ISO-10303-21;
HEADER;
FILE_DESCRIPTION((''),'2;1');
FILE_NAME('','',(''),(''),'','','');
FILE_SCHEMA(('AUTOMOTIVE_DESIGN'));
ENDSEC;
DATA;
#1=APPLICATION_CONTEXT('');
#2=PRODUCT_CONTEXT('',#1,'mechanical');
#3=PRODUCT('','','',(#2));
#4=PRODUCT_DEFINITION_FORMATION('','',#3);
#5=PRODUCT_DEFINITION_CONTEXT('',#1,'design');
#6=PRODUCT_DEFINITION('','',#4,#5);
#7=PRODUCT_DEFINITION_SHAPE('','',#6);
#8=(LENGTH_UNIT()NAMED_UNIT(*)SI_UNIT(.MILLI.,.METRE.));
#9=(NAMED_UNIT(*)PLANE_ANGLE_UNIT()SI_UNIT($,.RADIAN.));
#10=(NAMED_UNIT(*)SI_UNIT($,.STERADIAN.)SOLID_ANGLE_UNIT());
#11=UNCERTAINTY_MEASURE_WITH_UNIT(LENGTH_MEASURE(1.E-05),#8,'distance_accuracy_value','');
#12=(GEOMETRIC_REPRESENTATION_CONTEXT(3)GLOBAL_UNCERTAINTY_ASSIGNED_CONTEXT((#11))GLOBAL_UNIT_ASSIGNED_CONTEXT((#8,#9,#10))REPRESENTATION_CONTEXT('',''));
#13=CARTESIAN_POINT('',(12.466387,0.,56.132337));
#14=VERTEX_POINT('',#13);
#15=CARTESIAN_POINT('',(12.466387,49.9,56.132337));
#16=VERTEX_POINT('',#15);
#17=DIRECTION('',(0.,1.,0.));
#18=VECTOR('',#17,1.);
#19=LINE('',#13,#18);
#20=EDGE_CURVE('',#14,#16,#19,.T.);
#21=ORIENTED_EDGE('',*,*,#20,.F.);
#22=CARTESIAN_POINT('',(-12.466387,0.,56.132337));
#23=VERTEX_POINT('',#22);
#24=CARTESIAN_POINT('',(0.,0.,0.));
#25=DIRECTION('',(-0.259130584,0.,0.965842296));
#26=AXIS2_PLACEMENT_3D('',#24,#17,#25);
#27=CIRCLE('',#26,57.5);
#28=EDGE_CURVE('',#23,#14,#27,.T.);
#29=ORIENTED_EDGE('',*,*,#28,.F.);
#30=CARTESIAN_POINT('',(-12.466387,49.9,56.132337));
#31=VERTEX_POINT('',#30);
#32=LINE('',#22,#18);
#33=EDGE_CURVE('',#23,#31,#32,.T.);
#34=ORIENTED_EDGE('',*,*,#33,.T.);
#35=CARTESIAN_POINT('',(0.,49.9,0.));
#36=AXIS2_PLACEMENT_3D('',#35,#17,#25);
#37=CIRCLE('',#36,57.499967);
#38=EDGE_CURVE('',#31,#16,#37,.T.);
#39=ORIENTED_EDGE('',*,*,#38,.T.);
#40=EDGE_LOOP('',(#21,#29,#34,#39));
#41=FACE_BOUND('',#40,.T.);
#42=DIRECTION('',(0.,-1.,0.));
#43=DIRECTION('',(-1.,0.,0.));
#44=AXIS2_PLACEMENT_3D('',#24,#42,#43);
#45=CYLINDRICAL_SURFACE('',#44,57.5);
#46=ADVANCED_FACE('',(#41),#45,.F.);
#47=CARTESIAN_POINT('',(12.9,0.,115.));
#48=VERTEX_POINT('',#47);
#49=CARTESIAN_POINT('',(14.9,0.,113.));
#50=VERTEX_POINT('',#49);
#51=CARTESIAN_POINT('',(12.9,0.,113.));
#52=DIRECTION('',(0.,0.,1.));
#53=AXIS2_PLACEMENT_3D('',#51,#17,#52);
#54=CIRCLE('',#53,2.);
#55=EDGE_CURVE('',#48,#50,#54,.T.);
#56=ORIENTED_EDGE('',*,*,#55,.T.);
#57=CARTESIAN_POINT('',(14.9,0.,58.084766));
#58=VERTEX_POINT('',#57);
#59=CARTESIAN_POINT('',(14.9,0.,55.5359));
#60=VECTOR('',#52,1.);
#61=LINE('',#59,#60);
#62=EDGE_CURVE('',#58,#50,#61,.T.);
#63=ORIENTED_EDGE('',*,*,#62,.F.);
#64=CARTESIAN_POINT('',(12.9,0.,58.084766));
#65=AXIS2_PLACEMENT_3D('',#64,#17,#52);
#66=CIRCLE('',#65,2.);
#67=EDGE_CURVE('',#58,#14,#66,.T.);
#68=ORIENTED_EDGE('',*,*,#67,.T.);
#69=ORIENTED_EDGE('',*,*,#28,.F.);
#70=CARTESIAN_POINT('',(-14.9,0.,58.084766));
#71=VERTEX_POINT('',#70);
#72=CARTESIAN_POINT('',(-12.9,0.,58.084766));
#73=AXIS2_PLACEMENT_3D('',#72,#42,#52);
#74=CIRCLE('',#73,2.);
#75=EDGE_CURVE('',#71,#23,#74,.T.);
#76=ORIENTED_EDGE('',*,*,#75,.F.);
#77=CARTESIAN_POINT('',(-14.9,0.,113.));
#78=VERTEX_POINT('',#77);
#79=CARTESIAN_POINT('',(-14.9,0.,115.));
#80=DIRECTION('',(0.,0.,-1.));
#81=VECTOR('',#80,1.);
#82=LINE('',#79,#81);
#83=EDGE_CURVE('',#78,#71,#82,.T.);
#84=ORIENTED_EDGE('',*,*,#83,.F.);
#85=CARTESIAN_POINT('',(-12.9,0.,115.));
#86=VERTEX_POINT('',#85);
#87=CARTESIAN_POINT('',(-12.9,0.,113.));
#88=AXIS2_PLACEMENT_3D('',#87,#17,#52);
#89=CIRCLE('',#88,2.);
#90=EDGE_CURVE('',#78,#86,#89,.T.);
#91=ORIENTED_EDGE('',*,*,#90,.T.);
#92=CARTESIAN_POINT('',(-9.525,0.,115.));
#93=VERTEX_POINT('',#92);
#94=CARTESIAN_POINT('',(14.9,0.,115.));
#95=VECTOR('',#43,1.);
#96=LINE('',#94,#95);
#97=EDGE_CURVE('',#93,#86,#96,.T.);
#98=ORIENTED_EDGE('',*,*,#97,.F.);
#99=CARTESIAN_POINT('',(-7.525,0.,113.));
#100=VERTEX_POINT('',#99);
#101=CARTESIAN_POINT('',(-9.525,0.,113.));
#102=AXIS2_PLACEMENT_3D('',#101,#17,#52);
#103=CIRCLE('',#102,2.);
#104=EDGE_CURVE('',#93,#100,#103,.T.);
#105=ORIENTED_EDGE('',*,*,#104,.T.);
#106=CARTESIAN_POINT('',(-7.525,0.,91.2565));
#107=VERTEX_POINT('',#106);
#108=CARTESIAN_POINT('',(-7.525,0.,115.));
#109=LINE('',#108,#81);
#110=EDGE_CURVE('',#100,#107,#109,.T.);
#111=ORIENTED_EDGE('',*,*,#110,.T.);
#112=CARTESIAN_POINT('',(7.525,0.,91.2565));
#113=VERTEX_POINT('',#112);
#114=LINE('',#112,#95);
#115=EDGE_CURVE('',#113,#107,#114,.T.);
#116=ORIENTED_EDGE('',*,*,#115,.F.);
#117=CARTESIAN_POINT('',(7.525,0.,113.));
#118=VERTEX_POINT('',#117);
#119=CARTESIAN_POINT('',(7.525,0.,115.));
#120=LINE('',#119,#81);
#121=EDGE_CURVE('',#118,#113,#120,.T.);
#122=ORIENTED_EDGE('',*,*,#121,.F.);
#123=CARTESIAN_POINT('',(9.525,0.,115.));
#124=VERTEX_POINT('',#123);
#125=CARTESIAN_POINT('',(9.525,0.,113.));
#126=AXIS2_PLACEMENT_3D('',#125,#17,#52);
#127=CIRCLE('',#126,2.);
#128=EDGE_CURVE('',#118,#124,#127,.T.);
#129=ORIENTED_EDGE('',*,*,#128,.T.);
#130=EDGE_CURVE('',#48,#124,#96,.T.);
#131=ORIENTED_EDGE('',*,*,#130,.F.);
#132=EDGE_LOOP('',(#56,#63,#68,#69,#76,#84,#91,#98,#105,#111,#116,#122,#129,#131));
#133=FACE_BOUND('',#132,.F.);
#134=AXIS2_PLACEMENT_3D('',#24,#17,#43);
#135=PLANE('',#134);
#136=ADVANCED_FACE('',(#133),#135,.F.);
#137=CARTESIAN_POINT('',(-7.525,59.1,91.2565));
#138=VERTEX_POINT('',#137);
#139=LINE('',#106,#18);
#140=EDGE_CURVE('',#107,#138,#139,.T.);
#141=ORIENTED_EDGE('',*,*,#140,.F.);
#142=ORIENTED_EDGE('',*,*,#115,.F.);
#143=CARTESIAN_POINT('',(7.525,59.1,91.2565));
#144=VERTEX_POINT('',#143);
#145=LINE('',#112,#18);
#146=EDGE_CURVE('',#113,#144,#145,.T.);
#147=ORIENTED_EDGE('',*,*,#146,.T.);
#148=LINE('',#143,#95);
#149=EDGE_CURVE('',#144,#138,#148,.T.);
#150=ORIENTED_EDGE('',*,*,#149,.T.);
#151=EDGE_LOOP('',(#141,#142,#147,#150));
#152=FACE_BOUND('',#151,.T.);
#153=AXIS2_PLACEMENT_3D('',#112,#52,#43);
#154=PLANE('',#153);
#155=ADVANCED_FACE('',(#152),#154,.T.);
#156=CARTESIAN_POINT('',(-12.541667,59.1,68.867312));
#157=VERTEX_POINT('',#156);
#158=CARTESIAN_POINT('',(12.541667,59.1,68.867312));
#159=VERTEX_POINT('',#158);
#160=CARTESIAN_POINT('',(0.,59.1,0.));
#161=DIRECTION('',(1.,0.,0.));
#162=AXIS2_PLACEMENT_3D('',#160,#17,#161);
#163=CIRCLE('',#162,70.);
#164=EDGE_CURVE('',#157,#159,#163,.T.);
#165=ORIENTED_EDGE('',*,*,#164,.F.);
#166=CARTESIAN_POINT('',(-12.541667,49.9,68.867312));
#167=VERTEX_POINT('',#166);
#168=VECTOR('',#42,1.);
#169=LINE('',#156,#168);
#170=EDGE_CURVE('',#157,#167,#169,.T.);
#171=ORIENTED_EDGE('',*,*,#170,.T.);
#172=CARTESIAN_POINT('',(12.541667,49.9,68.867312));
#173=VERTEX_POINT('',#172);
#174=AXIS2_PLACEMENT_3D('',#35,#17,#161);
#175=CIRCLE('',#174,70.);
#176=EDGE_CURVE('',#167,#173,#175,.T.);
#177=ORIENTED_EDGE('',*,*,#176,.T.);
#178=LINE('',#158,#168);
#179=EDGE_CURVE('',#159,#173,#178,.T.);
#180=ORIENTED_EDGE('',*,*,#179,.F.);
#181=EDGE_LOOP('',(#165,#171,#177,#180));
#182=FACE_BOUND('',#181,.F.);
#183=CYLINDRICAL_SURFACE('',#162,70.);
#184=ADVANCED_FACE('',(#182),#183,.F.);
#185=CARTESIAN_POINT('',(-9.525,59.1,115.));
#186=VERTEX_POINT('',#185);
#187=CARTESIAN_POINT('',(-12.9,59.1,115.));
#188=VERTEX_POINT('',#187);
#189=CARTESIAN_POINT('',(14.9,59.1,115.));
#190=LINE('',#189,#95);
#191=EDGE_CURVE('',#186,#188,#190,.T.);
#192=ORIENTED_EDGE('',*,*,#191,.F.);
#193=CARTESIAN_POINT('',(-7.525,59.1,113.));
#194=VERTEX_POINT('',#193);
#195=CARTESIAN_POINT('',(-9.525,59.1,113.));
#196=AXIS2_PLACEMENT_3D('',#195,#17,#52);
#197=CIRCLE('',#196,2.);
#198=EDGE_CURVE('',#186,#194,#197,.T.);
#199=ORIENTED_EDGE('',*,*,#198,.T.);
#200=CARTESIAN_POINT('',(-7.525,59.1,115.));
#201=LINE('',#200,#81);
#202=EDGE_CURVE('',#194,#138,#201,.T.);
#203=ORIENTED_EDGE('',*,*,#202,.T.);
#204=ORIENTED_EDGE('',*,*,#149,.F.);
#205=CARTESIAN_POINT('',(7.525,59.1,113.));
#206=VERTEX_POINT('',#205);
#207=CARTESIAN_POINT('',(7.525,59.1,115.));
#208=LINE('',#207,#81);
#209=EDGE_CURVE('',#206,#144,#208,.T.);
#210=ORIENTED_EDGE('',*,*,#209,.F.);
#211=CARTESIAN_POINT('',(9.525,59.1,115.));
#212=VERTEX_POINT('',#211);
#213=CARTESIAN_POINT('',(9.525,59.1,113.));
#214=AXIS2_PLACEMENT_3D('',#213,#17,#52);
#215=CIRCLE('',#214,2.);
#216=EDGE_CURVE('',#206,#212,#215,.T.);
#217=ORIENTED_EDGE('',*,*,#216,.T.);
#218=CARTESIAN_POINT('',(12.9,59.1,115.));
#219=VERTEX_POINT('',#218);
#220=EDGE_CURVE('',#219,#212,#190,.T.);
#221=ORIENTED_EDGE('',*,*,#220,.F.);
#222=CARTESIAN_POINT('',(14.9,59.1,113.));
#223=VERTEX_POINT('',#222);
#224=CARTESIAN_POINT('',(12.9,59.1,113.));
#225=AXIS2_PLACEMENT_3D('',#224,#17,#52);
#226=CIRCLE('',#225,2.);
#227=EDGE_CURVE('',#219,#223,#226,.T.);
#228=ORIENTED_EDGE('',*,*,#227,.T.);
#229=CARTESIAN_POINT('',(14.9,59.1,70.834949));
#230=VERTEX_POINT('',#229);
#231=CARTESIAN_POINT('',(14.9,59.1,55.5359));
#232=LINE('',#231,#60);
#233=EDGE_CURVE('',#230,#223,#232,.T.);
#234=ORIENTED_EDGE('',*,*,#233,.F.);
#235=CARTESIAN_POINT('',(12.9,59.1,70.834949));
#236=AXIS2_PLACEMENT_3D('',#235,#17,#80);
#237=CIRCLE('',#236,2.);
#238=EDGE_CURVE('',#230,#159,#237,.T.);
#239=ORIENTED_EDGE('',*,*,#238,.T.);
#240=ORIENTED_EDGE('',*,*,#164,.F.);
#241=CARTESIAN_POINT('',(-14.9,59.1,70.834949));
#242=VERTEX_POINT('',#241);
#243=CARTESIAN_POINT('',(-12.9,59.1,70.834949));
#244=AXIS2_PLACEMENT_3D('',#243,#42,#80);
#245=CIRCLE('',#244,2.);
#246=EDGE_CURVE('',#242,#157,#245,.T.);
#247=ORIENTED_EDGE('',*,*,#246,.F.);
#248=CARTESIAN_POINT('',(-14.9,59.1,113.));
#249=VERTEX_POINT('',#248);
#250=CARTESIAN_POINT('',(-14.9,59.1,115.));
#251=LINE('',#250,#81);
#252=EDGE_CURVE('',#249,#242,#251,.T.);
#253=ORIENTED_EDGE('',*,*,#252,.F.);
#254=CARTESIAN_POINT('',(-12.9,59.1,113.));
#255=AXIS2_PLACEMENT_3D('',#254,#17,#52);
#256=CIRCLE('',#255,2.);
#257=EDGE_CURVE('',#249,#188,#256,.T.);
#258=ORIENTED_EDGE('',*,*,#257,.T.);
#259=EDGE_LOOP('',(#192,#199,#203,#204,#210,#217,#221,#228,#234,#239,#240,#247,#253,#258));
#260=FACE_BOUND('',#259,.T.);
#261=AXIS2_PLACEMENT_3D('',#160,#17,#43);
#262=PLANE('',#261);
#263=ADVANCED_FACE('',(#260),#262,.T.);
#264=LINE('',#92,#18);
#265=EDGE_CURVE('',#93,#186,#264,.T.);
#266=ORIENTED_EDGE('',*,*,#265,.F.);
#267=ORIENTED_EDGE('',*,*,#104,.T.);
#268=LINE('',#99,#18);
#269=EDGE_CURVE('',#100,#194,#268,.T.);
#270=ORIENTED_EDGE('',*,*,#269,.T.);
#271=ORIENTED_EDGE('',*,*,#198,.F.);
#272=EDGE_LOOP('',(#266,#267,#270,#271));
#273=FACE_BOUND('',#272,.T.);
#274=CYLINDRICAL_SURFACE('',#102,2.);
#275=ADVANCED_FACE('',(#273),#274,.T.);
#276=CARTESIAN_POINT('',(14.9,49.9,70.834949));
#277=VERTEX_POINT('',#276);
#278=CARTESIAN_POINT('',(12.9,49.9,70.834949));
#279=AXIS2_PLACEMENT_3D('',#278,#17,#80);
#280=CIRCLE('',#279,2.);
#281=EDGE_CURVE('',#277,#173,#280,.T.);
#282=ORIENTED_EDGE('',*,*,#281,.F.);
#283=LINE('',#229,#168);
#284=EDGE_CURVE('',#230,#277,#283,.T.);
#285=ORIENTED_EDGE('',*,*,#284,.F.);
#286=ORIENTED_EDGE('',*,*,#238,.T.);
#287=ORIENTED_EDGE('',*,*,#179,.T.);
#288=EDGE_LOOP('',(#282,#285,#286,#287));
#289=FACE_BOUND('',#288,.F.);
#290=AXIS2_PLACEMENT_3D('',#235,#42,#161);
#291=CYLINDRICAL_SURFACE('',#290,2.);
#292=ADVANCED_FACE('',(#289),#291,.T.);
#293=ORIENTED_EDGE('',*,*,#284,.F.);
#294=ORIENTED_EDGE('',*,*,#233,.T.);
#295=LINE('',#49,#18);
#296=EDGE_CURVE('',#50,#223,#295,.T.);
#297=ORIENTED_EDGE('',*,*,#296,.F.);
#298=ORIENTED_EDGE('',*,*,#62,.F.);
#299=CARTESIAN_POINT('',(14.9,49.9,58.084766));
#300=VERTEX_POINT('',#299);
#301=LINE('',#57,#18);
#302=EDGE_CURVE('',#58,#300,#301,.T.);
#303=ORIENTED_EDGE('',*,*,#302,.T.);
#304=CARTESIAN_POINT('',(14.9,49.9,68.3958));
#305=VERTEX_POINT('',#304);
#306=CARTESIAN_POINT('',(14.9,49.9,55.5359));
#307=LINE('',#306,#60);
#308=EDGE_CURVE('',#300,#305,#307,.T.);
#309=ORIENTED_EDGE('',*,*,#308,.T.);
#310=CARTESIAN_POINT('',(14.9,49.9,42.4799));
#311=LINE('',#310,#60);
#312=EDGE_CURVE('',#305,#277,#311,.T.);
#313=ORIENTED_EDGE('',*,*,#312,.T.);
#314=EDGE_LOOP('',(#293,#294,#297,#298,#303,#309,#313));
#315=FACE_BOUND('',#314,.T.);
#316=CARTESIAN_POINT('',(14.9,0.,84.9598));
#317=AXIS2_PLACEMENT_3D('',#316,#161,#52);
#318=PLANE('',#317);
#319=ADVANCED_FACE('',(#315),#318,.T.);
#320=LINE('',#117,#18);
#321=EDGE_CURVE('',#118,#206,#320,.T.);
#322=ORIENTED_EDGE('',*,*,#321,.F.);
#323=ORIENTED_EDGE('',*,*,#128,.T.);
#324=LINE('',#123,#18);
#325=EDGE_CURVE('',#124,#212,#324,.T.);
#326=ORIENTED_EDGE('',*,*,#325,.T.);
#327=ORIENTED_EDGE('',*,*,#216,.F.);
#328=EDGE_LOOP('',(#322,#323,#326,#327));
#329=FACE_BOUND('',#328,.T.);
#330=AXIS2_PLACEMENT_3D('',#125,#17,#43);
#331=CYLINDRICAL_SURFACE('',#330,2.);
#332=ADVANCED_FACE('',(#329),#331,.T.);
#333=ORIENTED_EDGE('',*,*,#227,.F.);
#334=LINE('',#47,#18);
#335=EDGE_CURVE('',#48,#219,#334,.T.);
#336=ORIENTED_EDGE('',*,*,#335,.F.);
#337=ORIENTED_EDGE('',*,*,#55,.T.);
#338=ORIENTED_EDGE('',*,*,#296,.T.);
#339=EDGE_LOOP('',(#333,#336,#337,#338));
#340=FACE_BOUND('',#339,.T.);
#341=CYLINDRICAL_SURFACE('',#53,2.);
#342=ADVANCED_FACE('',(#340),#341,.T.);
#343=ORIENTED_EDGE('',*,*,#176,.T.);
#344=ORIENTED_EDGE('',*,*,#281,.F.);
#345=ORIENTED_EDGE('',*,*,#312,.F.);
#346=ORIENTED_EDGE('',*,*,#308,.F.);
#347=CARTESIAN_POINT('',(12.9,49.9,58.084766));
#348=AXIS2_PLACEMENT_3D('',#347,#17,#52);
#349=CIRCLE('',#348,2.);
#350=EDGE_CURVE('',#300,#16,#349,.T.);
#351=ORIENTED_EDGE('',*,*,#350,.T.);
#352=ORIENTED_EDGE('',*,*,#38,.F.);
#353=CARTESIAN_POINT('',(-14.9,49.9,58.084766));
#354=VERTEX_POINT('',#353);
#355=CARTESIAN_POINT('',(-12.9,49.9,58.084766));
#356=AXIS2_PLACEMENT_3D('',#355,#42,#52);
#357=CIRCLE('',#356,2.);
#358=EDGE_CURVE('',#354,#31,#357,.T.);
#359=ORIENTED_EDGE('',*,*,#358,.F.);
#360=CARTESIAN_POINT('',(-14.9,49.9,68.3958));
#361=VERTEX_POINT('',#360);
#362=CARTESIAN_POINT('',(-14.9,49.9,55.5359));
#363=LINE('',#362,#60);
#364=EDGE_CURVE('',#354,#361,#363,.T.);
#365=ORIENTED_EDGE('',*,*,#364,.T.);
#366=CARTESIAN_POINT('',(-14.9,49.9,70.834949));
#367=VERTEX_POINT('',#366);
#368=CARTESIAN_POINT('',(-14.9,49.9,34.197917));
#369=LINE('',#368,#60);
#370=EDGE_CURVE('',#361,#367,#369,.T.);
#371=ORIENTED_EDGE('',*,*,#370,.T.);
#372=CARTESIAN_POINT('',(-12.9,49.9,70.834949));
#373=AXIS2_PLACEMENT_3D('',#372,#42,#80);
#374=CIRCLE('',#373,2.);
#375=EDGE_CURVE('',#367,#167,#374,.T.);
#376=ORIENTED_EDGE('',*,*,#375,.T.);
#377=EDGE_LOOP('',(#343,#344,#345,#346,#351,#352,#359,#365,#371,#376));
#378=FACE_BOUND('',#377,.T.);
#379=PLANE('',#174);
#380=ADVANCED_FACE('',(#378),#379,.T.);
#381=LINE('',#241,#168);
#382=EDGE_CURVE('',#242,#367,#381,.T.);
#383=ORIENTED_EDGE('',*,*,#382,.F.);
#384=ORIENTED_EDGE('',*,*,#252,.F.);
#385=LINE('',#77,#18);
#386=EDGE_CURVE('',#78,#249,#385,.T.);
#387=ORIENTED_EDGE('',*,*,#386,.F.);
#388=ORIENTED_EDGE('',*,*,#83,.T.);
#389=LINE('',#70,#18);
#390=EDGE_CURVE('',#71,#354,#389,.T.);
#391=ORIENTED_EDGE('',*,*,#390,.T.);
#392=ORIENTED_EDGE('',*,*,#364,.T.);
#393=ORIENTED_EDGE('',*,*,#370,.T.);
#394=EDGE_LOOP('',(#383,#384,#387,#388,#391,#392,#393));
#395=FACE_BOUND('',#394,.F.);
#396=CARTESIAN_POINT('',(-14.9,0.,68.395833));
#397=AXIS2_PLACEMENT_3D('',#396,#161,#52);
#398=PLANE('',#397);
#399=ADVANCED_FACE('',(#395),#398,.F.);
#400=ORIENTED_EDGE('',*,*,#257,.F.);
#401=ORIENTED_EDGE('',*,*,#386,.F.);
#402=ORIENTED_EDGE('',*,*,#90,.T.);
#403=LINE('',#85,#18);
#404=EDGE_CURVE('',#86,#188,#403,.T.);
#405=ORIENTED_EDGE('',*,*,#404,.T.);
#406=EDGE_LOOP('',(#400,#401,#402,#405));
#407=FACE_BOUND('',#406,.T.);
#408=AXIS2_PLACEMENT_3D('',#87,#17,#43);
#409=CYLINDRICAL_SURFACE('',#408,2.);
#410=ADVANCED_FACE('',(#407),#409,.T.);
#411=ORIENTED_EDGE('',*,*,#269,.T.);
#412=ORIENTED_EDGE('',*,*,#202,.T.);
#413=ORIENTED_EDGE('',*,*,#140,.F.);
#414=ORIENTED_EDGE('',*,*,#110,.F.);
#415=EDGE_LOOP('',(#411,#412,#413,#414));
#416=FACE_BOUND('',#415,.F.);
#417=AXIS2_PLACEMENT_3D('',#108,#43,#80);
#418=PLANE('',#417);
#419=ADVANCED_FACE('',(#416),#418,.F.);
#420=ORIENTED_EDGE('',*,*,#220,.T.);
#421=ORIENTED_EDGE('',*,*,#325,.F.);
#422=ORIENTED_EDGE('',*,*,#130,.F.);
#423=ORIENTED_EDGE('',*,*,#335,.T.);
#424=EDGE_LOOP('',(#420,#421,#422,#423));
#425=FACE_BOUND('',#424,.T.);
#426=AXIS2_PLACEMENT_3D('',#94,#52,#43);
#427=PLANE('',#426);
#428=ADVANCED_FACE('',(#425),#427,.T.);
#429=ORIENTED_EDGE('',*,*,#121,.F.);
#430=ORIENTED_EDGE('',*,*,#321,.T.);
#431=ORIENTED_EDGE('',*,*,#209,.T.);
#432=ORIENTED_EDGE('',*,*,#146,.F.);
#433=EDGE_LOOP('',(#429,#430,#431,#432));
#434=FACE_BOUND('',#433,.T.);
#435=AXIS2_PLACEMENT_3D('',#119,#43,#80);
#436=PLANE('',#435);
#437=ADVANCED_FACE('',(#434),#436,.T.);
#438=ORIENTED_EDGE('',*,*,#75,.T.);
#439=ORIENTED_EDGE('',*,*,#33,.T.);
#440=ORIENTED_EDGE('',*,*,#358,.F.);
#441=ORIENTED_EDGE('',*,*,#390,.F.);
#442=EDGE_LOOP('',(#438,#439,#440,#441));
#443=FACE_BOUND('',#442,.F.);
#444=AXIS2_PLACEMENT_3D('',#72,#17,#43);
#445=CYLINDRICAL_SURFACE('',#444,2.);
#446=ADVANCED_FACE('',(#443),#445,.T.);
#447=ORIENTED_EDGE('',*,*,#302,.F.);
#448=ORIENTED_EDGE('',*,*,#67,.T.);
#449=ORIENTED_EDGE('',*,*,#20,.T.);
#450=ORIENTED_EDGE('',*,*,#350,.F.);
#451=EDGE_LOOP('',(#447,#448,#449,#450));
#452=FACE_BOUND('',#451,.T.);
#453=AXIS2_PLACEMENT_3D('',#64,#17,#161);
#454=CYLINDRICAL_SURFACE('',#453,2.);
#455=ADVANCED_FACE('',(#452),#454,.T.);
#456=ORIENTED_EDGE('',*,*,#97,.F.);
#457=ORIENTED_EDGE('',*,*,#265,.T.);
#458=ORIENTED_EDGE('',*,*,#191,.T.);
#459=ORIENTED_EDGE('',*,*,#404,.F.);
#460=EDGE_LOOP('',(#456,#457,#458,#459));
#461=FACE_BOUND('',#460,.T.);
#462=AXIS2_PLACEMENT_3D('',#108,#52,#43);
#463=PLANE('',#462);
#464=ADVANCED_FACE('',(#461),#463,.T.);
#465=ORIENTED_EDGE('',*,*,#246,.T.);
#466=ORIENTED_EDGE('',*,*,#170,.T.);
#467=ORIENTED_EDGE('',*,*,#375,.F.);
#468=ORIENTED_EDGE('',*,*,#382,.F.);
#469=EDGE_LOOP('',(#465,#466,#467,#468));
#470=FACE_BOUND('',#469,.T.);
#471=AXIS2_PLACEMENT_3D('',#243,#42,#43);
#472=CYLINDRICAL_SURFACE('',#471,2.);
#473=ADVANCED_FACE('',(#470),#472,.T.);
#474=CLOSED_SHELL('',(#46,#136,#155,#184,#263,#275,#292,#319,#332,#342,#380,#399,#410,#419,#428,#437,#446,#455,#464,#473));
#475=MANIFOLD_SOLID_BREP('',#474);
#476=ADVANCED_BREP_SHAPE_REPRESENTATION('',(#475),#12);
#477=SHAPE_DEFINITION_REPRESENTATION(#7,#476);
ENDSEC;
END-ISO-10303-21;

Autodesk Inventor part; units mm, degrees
ref_plane "YZ Plane" through (0, 0, 0) normal (1, 0, 0) x (0, 1, 0)
ref_plane "XZ Plane" through (0, 0, 0) normal (0, 1, 0) x (-1, 0, 0)
ref_plane "XY Plane" through (0, 0, 0) normal (0, 0, 1) x (1, 0, 0)
sketch "スケッチ2" plane through (0, 0, 0) normal (0, 1, 0) x (-1, 0, 0)
  circle A0 centre (0, 0) radius 86.2565
  circle A1 centre (0, 0) radius 70
  circle A2 centre (0, 0) radius 57.5
  line L0 (0, 0) -> (0, 86.2565)
  line L1 (-14.9, 55.5359) -> (-14.9, 84.9598)
  line L2 (14.9, 55.5359) -> (14.9, 84.9598)
  line L3 (14.9, 84.9598) -> (-14.9, 84.9598)
  line L4 (-14.9, 84.9598) -> (-14.9, 115)
  line L5 (-14.9, 115) -> (14.9, 115)
  line L6 (14.9, 115) -> (14.9, 84.9598)
  line L7 (0, 115) -> (7.525, 115)
  line L8 (7.525, 115) -> (7.525, 91.2565)
  line L9 (7.525, 91.2565) -> (0, 91.2565)
  line L10 (0, 91.2565) -> (0, 115)
  line L11 (-7.525, 115) -> (-7.525, 91.2565)
  line L12 (-7.525, 91.2565) -> (0, 91.2565)
  dimension "d8" = 115
  dimension "d6" = 172.513
  dimension "d7" = 140
  dimension "d9" = 14.9
  dimension "d11" = 7.525
  dimension "d12" = 5
  dimension "d13" = 115
extrude "押し出し2" add sketch "スケッチ2" along normal blind 59.1 contours L3 L0 A0 | L2 A1 L0 L3 | A0 L4 L5 L11 L12 L9 L8 L6 | L3 L0 A1 L1 | A0 L0 L3 | L2 A2 L0 A1 | A1 L0 A2 L1
sketch "スケッチ3" plane through (0, 59.1, 0) normal (0, 1, 0) x (1, 0, 0)
  circle A0 centre (0, 0) radius 70
  arc A1 (-14.9, -55.5359) -> (14.9, -55.5359) centre (0, 0) ccw projected
  circle A2 centre (0, 0) radius 57.5
  line L0 (-14.9, -55.5359) -> (-14.9, -68.3958)
  line L1 (14.9, -55.5359) -> (14.9, -68.3958)
  dimension "d16" = 140
extrude "押し出し3" cut sketch "スケッチ3" against normal blind 9.2 contours L0 A1 L1 A0
fillet "フィレット1" radius 2 8 edges at (-7.525, 29.55, 115) (7.525, 29.55, 115) (14.9, 29.55, 115) (-14.9, 29.55, 115) (14.9, 54.5, 68.3958) (-14.9, 54.5, 68.3958) (14.9, 24.95, 55.5359) (-14.9, 24.95, 55.5359)
properties part number "zigu2"
